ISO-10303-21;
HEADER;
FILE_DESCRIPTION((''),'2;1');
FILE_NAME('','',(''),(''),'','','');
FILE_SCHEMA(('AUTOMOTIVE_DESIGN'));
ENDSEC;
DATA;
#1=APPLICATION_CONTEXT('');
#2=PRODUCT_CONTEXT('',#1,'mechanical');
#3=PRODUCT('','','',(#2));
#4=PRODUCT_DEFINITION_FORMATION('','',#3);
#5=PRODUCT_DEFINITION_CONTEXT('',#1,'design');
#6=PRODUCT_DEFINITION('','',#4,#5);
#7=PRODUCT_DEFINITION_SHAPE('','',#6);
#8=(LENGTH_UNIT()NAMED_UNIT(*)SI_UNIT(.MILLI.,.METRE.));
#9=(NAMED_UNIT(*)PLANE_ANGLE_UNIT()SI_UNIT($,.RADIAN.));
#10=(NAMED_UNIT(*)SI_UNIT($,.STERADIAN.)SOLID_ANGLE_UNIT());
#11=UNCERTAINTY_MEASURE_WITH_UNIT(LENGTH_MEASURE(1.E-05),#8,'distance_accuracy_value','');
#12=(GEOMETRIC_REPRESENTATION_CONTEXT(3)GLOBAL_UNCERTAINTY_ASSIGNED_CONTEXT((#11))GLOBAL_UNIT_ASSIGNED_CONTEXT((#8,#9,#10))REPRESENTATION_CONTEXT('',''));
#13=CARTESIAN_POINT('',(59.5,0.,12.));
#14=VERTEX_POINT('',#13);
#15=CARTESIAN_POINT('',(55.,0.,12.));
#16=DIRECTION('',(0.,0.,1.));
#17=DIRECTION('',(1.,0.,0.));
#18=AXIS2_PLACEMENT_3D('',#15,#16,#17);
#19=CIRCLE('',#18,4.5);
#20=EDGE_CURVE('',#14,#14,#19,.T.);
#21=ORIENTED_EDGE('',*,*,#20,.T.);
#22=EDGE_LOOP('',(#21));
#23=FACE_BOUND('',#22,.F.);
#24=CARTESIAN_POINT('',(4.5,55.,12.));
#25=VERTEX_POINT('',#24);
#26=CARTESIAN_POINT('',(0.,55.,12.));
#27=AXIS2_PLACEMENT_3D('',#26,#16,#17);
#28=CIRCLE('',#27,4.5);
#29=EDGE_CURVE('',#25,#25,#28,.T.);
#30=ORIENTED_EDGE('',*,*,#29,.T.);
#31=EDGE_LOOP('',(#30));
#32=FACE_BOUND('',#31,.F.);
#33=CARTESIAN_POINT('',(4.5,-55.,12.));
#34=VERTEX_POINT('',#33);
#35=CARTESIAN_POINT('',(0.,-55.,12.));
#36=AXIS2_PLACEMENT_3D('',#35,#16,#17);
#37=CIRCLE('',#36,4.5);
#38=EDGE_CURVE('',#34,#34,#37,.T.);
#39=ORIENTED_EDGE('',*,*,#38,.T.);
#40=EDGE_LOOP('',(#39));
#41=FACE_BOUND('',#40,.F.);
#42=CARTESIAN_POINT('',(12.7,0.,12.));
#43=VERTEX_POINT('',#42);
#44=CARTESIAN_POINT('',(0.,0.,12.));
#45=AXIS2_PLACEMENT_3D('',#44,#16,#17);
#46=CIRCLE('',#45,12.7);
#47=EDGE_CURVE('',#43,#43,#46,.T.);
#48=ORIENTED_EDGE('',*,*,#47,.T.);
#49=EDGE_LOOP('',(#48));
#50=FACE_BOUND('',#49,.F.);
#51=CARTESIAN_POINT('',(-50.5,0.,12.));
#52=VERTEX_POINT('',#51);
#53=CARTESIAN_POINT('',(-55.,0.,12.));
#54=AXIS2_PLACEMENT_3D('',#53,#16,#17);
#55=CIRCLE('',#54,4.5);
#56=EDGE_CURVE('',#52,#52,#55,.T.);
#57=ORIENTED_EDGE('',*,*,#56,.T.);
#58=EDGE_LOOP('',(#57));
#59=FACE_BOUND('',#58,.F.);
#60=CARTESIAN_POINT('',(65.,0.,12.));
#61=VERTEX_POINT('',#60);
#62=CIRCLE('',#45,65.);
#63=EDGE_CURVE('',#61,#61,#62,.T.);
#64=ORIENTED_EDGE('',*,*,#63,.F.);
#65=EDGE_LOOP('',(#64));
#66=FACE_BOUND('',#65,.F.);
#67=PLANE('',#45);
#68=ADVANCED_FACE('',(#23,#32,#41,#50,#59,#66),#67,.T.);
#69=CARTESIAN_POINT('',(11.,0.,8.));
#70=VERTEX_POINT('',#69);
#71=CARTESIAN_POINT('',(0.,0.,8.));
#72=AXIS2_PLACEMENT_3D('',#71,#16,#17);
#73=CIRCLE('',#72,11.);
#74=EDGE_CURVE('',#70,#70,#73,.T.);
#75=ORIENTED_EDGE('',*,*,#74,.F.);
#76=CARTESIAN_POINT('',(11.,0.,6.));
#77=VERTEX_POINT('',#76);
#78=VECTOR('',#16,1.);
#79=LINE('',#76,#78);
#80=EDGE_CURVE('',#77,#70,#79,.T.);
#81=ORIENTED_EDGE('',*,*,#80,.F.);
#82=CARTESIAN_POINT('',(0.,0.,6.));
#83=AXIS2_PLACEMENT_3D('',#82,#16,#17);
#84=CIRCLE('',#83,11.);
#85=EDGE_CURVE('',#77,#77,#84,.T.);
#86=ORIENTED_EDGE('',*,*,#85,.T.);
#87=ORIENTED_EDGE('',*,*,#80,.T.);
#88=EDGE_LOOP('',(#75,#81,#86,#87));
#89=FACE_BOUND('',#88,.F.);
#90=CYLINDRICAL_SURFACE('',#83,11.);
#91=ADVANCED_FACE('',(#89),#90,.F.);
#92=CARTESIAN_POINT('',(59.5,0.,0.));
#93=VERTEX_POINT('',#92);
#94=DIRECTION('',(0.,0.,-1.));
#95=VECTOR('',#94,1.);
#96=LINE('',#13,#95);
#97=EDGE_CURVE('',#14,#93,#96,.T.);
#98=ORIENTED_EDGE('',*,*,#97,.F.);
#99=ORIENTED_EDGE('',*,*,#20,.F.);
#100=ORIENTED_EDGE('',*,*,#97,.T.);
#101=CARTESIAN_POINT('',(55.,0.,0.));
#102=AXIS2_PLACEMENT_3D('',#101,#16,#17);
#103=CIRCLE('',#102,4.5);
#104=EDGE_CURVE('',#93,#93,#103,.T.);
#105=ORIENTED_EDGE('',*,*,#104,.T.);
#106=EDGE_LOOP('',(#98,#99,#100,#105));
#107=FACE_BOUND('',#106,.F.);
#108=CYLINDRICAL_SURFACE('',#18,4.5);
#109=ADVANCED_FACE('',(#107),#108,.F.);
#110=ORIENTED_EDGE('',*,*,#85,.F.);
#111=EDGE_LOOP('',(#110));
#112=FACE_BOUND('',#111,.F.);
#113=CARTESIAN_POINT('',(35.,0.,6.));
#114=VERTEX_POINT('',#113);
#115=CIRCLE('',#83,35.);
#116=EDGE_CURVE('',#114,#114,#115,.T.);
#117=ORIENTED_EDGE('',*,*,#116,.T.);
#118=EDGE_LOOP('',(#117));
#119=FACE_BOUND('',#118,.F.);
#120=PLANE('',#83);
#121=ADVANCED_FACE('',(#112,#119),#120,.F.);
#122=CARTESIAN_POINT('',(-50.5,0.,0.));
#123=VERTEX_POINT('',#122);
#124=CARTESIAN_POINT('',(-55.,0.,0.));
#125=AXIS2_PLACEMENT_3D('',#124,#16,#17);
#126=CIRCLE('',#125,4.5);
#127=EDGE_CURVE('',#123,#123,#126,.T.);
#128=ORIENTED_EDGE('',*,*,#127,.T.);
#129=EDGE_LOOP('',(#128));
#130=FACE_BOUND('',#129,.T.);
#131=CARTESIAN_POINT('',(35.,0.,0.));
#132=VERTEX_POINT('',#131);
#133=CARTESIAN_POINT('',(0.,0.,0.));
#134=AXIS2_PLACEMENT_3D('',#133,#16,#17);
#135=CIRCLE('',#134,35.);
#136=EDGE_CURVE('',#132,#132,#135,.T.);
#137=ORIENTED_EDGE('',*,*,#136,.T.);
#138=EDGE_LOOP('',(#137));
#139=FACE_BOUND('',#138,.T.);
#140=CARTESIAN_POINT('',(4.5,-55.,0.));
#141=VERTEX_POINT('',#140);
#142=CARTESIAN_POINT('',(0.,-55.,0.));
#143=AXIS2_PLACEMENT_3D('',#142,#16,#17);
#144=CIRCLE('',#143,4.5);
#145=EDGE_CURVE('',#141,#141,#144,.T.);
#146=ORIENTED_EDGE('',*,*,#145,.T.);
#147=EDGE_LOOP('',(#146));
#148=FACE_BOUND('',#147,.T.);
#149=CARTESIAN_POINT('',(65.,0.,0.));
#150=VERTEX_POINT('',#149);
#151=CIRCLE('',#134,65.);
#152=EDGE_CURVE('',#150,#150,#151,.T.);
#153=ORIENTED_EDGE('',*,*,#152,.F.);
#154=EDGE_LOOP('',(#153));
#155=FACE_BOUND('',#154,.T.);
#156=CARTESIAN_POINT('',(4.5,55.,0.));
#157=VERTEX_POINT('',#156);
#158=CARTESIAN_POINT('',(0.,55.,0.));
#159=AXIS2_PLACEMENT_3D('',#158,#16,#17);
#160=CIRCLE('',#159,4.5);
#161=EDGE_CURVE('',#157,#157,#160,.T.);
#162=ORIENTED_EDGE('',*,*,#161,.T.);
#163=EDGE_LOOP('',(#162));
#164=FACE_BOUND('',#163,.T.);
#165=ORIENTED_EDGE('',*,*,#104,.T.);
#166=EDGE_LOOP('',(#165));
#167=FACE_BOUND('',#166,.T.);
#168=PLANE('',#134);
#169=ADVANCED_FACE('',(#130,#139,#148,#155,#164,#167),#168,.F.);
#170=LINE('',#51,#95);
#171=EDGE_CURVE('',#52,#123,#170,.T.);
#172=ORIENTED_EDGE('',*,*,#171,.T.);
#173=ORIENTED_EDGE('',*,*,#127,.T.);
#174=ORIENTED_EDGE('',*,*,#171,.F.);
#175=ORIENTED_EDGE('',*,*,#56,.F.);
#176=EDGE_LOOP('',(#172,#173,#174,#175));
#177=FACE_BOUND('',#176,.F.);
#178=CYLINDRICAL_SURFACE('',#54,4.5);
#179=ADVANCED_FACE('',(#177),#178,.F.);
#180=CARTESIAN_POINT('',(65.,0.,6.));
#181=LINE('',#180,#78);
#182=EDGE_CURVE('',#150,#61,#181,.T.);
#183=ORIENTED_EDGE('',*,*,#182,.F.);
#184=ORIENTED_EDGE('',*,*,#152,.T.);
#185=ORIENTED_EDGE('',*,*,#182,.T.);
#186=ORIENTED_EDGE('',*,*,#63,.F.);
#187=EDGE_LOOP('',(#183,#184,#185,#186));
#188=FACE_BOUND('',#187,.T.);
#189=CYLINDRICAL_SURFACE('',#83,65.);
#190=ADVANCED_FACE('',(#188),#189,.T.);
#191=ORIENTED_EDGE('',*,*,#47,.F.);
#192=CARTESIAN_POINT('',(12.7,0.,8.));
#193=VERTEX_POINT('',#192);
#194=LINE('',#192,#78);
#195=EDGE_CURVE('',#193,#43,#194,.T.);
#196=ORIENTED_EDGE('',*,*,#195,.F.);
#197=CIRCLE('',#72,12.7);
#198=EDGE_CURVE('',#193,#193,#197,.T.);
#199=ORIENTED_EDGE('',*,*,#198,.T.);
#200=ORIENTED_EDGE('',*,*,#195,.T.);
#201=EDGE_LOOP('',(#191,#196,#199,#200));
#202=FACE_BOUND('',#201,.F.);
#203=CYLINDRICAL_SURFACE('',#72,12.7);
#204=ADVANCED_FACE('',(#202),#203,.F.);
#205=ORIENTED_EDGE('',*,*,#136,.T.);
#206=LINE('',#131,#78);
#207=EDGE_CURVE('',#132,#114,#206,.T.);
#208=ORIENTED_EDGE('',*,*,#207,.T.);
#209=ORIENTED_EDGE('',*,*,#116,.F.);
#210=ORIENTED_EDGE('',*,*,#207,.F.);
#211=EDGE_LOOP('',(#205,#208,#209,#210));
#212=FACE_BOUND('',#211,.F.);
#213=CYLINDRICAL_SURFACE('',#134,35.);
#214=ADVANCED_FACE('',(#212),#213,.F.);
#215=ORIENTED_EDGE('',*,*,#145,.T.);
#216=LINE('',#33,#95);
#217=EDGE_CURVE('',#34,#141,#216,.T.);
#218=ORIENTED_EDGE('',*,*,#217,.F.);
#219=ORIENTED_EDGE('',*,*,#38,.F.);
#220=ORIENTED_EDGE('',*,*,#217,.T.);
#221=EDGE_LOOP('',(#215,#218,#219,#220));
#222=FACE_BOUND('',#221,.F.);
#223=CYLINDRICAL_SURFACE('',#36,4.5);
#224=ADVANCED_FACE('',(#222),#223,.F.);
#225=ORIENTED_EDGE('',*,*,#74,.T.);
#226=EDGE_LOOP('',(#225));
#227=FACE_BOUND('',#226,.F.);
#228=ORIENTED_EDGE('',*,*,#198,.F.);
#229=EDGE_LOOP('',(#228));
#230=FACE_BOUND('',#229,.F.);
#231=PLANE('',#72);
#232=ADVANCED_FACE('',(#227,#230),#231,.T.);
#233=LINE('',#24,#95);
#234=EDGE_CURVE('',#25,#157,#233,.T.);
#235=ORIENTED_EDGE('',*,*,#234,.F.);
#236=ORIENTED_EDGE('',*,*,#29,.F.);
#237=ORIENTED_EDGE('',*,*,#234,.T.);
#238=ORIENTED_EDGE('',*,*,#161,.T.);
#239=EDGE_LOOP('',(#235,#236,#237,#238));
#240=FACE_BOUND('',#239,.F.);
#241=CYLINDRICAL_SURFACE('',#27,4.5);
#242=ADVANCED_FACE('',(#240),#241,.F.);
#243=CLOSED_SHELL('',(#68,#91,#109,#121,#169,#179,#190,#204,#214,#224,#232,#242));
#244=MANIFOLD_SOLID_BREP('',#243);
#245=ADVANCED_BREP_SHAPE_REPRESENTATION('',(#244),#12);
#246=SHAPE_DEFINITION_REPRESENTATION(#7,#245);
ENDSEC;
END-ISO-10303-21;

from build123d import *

# Parameters (mm, degrees)
F0_W     = 65
F0_H     = 12
F4_R     = 4.5
F5_DEPTH = 12


with BuildPart() as f1:
    # F0 (on Front) → F1 (revolve)
    with BuildSketch(Plane.XZ):
        with Locations((32.5, 6)):
            Rectangle(F0_W, F0_H)
    revolve(axis=Axis((0, 0, 18.457142), (0, 0, 1)))

    # F2 (on Front) → F3 (revolve, cut)
    with BuildSketch(Plane.XZ):
        Polygon((0, 12), (0, 0), (35, 0), (35, 6), (11, 6), (11, 8), (12.7, 8), (12.7, 12), align=None)
    revolve(axis=Axis((0, 0, 11.269168), (0, 0, 1)), mode=Mode.SUBTRACT)

    # F4 (on face) → F5 (cut, through all)
    with BuildSketch(Plane.XY.offset(12)):
        with Locations((55, 0)):
            Circle(F4_R)
        with Locations((0, 55)):
            Circle(F4_R)
        with Locations((-55, 0)):
            Circle(F4_R)
        with Locations((0, -55)):
            Circle(F4_R)
    extrude(amount=-F5_DEPTH, mode=Mode.SUBTRACT)


solid = f1.part
